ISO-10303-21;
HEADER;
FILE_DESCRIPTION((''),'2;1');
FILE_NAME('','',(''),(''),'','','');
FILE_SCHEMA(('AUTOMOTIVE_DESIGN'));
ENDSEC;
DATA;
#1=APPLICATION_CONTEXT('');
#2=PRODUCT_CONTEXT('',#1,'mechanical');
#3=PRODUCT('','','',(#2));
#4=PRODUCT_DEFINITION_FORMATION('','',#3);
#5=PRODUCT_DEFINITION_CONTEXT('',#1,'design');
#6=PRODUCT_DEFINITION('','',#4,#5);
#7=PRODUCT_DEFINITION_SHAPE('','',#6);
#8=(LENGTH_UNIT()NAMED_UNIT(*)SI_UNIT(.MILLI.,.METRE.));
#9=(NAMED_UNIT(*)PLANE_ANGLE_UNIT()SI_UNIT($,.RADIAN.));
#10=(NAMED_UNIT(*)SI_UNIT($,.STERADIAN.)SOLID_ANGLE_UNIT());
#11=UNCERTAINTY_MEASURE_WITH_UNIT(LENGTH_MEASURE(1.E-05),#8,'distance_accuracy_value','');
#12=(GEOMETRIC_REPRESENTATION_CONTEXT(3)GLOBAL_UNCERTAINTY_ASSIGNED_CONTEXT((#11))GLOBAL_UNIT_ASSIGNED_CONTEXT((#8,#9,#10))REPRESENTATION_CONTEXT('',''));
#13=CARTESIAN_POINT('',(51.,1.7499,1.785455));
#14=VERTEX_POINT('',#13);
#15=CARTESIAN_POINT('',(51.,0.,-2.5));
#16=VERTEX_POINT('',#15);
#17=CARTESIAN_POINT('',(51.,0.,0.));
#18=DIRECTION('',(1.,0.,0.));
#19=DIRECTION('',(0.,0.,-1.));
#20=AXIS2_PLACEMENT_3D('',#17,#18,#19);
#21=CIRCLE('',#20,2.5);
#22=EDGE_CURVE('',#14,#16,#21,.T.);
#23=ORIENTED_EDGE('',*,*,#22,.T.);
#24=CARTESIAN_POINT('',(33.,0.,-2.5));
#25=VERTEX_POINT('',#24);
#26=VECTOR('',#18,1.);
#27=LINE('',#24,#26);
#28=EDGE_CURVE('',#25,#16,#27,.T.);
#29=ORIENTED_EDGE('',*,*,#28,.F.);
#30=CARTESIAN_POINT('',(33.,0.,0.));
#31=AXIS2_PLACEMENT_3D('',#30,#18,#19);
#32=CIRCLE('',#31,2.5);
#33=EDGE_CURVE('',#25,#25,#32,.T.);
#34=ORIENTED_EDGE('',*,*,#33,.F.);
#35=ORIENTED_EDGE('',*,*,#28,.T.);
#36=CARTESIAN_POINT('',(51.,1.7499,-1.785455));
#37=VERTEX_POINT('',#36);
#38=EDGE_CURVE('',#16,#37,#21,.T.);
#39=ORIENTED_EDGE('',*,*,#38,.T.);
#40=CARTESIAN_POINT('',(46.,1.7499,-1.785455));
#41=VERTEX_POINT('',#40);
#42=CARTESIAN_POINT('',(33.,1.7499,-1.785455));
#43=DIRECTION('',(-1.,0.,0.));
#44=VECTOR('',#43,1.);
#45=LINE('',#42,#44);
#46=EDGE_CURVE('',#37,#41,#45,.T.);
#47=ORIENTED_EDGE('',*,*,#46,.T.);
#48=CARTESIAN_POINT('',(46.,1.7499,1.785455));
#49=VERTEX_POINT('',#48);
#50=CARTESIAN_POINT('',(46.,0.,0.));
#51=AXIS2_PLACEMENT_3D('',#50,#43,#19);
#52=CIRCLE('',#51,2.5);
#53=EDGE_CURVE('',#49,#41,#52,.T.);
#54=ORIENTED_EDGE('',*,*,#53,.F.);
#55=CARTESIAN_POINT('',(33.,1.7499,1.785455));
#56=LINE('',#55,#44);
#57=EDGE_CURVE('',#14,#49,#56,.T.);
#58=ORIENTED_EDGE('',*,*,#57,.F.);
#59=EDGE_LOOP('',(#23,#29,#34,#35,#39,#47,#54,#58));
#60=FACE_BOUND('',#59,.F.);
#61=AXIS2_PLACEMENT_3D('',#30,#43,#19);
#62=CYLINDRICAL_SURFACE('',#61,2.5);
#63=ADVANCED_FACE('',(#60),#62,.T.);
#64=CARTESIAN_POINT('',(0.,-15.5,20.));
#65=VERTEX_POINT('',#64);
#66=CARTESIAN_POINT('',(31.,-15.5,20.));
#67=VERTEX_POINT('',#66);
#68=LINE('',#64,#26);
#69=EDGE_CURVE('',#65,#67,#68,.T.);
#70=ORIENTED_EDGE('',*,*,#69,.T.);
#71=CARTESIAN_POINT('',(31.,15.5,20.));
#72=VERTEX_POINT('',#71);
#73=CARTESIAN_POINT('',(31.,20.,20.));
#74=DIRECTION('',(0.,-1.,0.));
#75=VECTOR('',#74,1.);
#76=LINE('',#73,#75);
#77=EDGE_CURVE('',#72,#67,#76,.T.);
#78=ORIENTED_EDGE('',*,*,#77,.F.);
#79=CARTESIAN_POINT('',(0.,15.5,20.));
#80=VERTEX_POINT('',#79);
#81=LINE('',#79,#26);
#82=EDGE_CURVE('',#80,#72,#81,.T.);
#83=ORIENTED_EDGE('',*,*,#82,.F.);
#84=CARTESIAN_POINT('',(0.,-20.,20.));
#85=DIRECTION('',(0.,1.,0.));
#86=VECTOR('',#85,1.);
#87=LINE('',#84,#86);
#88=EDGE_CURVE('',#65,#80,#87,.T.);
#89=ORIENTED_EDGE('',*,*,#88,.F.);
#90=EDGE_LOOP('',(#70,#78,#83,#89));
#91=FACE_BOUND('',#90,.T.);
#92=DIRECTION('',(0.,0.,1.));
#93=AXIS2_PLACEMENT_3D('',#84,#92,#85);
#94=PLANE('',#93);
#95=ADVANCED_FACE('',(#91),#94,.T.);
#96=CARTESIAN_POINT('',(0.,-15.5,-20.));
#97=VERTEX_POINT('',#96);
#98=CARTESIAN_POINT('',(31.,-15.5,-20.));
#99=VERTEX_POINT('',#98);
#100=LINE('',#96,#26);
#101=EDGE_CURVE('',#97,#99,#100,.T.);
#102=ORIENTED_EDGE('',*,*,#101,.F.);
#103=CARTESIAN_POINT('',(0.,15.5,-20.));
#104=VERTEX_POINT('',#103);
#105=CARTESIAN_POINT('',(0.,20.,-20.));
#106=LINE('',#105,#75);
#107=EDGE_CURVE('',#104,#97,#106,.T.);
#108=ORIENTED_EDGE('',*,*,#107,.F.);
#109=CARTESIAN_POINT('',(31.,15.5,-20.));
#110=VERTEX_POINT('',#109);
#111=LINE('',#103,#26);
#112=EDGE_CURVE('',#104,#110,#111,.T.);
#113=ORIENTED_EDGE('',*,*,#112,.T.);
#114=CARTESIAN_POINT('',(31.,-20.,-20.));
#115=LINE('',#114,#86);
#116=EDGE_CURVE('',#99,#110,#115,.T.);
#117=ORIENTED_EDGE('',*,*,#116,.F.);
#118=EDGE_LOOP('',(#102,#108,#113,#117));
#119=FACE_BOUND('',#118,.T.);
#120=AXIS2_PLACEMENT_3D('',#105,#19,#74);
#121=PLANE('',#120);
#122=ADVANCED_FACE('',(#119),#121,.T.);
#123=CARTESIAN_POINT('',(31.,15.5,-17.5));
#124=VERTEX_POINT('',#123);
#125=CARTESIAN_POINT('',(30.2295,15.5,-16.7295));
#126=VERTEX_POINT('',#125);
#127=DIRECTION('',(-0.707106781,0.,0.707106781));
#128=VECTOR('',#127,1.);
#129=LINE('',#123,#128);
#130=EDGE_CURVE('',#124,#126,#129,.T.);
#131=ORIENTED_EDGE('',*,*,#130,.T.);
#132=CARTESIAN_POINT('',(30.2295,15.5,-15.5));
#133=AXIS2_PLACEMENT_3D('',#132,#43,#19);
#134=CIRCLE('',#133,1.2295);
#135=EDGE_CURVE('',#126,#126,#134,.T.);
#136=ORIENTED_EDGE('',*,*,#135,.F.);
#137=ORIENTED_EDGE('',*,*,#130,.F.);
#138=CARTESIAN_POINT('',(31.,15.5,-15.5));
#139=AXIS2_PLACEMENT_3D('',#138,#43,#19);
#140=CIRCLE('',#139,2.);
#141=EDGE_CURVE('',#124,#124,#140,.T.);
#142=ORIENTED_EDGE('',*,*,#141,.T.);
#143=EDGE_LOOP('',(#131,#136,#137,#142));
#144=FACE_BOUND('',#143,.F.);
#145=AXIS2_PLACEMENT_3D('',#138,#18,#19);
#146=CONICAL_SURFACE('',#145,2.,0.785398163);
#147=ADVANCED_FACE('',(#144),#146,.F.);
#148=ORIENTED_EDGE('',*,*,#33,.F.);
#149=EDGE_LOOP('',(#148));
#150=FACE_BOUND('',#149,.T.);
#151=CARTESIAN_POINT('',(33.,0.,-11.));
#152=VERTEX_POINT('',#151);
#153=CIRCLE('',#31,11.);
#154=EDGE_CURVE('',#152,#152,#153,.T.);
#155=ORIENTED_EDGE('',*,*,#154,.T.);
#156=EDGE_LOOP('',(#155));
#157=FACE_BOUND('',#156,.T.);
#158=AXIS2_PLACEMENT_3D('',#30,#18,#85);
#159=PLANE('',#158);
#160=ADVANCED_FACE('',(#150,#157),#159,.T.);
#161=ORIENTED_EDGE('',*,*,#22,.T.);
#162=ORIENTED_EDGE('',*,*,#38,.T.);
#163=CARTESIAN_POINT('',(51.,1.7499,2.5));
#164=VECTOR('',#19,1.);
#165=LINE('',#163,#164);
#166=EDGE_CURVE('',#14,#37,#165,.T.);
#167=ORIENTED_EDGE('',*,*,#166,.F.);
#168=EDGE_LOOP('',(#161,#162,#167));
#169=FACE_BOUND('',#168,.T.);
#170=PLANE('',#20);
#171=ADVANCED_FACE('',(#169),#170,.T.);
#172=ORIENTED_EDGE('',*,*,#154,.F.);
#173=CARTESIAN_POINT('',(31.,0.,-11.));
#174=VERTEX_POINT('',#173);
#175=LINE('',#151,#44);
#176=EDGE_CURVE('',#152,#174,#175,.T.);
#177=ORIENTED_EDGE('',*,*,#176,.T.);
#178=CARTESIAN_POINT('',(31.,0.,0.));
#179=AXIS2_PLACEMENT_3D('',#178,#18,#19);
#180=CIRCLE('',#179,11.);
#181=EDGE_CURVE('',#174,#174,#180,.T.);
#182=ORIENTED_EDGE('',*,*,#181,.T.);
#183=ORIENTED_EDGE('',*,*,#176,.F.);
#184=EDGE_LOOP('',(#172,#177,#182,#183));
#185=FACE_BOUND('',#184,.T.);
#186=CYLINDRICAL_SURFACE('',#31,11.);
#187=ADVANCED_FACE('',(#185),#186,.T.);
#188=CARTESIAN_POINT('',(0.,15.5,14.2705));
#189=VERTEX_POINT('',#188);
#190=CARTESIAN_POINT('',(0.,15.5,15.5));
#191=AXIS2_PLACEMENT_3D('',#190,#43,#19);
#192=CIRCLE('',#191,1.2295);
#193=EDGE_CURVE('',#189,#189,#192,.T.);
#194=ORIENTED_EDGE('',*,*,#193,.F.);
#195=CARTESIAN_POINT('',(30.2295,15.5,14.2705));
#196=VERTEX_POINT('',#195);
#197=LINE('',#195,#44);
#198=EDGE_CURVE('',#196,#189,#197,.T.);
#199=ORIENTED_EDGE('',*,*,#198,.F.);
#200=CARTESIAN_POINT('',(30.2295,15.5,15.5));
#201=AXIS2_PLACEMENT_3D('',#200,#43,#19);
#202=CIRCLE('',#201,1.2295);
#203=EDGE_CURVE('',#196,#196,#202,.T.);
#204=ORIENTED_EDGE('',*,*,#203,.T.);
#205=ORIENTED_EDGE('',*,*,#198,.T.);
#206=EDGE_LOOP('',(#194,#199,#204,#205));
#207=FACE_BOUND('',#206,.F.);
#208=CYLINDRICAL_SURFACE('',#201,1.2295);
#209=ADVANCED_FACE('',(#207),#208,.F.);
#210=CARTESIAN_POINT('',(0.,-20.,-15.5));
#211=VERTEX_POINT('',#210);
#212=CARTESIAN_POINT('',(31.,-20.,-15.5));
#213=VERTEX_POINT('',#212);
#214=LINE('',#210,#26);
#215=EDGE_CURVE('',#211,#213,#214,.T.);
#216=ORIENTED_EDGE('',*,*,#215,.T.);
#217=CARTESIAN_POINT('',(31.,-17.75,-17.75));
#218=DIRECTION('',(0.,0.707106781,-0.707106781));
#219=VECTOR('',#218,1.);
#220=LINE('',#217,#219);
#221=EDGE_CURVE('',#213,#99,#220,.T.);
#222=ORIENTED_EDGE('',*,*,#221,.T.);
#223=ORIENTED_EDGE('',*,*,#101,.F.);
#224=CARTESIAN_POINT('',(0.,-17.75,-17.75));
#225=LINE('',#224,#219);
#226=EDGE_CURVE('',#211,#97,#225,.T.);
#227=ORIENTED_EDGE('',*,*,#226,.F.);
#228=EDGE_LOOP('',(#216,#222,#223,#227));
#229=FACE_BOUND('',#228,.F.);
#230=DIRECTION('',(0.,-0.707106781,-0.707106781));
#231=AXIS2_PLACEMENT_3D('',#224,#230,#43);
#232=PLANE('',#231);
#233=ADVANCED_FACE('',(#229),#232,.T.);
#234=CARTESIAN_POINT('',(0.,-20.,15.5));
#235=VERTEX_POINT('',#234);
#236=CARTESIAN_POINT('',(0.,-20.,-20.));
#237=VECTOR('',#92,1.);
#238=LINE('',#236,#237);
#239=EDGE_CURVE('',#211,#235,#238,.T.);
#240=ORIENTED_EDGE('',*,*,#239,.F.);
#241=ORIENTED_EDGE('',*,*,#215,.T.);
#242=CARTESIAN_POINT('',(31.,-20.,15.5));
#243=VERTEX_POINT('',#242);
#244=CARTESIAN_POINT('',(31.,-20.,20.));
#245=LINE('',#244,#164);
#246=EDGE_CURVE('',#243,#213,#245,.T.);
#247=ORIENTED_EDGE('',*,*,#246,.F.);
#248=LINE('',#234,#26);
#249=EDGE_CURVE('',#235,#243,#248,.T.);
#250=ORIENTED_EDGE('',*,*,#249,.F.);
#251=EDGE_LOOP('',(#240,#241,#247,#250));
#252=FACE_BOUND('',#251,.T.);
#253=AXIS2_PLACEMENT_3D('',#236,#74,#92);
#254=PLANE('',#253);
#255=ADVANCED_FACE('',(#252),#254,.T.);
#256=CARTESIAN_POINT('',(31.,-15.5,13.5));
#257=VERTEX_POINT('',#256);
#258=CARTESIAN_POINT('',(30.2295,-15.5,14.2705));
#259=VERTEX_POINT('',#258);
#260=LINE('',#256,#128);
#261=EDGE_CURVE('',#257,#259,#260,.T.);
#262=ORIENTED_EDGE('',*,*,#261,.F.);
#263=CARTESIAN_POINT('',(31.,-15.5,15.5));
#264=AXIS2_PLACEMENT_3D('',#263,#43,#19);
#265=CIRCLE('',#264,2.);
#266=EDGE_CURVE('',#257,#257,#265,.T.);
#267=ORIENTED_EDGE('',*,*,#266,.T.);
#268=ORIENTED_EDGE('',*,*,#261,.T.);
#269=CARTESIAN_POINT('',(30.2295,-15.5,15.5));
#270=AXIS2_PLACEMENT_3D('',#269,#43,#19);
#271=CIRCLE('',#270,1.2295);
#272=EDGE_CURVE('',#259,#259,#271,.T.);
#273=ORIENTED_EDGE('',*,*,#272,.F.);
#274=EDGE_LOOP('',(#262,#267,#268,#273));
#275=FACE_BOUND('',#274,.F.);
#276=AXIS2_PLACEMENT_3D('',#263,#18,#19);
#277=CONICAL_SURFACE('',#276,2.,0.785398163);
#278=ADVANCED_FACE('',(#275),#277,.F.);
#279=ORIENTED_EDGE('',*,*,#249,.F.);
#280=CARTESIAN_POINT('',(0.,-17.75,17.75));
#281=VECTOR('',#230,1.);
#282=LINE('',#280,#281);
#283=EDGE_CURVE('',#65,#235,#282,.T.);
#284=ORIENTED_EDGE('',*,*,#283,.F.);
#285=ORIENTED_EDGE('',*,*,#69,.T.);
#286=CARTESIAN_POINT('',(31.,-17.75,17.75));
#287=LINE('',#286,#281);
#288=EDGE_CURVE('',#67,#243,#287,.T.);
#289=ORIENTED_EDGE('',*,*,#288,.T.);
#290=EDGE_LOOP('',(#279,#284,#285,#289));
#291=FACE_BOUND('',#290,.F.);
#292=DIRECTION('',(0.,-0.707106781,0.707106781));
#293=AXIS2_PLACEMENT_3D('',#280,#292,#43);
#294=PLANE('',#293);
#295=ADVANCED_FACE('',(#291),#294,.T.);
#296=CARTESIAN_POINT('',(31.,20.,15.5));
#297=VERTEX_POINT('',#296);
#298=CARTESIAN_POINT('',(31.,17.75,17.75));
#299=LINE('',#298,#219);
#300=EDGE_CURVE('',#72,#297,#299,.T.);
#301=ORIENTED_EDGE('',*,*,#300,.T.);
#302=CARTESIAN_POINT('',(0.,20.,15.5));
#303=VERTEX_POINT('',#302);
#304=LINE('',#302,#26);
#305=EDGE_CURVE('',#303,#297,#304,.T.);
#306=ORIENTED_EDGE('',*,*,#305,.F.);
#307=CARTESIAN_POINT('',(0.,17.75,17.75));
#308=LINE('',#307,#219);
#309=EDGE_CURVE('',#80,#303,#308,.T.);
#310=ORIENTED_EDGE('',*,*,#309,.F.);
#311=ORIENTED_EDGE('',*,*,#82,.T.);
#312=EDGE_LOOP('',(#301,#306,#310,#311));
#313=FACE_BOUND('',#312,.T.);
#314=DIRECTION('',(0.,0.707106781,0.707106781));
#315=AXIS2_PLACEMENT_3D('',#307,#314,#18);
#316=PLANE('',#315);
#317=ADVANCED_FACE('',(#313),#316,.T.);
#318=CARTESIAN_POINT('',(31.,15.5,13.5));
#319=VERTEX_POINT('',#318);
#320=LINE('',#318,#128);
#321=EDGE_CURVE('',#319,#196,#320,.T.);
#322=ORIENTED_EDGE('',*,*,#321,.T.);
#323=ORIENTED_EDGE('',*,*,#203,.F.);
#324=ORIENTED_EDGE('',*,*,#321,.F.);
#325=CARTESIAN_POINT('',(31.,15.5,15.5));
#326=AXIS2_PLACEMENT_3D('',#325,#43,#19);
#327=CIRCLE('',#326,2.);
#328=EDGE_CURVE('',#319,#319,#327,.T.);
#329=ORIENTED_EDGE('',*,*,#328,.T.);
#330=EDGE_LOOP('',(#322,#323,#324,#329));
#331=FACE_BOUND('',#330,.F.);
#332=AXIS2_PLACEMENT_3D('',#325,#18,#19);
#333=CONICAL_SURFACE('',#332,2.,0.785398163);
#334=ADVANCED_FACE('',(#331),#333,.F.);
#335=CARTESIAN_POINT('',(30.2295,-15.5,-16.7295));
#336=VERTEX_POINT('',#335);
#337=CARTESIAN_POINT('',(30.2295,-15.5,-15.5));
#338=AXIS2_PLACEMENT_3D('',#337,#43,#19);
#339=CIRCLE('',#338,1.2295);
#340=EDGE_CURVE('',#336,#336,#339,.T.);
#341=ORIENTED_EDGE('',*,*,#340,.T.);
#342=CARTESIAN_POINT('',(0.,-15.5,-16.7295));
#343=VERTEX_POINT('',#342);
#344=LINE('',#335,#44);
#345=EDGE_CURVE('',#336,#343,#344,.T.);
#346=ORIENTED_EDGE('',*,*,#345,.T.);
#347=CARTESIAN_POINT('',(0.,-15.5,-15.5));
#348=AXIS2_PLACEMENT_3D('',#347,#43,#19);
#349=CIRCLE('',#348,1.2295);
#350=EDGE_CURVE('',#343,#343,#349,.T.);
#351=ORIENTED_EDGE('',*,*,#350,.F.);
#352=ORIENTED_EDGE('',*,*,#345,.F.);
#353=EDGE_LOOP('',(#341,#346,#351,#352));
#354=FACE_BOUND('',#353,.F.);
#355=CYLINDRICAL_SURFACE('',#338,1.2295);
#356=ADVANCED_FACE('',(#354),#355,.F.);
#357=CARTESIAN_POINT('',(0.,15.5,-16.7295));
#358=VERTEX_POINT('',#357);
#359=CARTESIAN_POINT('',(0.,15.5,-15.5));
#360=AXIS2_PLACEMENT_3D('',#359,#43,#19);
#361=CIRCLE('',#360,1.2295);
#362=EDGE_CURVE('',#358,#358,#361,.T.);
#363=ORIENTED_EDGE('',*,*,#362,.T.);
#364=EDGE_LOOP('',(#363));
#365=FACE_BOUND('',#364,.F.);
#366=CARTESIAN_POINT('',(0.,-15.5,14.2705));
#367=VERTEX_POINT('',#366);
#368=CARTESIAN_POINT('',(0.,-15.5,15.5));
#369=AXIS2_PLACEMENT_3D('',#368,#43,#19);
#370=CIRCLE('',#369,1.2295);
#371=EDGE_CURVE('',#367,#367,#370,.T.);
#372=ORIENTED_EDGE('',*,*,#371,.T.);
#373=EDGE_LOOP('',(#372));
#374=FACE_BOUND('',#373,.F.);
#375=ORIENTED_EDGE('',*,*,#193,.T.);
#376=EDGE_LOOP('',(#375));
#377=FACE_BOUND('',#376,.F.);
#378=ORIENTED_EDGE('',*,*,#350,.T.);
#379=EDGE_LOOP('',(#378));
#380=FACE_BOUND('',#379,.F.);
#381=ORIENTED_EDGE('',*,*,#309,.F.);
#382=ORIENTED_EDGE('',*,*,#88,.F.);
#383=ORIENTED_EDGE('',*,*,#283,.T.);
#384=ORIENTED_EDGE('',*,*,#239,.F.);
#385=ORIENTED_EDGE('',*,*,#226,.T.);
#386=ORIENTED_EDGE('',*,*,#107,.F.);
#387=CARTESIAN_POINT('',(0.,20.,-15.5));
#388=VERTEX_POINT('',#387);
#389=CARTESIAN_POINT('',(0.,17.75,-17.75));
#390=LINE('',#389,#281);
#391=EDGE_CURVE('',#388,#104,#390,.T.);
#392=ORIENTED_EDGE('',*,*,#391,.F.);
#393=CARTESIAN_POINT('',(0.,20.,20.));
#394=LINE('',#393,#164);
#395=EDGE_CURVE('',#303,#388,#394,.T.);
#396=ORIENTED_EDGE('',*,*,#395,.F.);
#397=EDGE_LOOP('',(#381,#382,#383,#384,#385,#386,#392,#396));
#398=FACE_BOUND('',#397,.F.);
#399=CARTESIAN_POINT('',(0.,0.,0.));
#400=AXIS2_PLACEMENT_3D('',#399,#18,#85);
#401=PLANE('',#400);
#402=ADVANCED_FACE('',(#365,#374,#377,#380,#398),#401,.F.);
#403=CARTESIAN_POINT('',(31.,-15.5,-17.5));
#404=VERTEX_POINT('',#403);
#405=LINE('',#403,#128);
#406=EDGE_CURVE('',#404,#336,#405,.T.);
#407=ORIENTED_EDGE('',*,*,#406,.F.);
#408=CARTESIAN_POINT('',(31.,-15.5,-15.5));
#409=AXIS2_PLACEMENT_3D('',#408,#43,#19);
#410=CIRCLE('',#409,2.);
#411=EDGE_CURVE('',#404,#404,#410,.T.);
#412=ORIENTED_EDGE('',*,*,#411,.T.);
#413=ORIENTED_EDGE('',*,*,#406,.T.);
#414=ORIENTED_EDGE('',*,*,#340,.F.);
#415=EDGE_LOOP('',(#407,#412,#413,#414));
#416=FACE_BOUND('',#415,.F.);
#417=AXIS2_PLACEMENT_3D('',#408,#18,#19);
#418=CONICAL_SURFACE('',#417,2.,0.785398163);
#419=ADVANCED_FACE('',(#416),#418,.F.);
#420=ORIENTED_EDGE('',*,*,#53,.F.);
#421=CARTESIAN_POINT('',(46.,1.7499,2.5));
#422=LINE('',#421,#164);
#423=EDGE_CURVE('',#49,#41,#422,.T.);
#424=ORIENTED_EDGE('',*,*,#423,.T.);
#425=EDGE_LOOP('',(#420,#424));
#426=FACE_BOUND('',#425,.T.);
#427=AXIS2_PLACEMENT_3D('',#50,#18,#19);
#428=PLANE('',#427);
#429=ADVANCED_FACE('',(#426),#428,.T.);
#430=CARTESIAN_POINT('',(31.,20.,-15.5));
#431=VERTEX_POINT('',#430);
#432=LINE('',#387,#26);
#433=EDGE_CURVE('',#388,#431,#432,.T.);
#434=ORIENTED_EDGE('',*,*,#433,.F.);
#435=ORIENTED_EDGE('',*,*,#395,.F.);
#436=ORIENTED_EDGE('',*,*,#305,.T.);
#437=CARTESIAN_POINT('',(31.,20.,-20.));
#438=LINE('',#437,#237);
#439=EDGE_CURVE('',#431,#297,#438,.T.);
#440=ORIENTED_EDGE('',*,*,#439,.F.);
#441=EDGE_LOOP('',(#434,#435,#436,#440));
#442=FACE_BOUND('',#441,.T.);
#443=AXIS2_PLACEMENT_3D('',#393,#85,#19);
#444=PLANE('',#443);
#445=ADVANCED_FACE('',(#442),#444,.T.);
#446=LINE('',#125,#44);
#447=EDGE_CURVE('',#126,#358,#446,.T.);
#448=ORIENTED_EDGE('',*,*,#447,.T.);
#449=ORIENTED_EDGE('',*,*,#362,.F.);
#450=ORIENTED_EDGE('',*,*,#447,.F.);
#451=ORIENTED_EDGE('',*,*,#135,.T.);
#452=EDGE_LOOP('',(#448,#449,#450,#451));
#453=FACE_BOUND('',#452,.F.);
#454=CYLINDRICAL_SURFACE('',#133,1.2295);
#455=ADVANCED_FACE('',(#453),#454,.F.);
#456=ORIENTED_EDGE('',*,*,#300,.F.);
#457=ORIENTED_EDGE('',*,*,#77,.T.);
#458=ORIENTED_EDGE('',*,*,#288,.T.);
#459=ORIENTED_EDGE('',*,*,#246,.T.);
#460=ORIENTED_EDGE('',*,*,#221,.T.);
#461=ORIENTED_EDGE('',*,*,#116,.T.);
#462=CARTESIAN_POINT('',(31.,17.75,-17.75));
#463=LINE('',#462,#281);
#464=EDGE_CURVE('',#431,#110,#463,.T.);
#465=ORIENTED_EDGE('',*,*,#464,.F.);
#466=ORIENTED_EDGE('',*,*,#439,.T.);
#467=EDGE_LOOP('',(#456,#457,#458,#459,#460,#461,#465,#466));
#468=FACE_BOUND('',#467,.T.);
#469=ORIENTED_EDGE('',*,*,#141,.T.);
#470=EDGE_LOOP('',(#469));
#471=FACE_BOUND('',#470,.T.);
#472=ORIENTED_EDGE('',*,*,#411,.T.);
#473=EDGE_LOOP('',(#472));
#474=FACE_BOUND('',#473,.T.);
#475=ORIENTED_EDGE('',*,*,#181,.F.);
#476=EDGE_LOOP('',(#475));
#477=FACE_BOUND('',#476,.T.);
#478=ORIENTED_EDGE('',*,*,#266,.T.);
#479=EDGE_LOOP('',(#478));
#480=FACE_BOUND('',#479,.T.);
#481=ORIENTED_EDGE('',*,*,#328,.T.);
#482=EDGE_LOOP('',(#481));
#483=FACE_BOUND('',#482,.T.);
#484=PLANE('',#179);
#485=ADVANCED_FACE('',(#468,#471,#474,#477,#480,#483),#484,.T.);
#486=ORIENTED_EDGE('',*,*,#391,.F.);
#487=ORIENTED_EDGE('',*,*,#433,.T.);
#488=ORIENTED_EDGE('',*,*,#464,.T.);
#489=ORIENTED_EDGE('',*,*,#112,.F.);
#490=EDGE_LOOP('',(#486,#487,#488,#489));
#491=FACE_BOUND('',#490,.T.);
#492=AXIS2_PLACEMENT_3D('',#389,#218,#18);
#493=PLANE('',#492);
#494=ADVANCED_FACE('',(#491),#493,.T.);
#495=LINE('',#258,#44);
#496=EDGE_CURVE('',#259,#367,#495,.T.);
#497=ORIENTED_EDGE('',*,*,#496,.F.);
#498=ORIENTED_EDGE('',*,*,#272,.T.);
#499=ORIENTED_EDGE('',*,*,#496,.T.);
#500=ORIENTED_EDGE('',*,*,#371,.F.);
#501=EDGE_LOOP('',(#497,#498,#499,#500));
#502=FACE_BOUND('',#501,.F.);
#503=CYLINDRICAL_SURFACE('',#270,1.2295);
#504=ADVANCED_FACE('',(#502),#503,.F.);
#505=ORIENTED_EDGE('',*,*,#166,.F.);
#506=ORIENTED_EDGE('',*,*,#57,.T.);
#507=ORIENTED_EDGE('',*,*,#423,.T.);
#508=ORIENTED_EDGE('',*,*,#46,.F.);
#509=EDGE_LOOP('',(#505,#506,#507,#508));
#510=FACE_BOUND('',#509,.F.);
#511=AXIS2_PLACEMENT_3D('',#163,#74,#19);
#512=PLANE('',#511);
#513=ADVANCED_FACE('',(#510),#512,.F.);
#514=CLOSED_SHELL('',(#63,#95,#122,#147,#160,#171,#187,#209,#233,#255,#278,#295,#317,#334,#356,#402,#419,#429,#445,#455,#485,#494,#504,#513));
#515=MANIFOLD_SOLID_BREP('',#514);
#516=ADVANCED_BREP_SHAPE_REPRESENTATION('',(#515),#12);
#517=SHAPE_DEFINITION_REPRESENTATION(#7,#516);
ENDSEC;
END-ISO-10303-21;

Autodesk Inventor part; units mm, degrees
ref_plane "YZ Plane" through (0, 0, 0) normal (1, 0, 0) x (0, 1, 0)
ref_plane "XZ Plane" through (0, 0, 0) normal (0, 1, 0) x (-1, 0, 0)
ref_plane "XY Plane" through (0, 0, 0) normal (0, 0, 1) x (1, 0, 0)
sketch "Sketch1" plane through (0, 0, 0) normal (1, 0, 0) x (0, 1, 0)
  line L0 (-20, 20) -> (20, 20)
  line L1 (20, 20) -> (20, -20)
  line L2 (20, -20) -> (-20, -20)
  line L3 (-20, -20) -> (-20, 20)
  line L4 (-20, 20) -> (20, -20) construction
  line L5 (20, 20) -> (-20, -20) construction
  point P0 (0, 0)
  point P1 (0, 0)
  dimension "d0" = 40
  dimension "d1" = 40
extrude "Extrusion1" add sketch "Sketch1" along normal blind 33
sketch "Sketch2" plane through (33, 0, 0) normal (1, 0, 0) x (0, 0, -1)
  line L0 (-20, 20) -> (-20, -20) projected
  line L1 (-20, -20) -> (20, -20) projected
  line L2 (20, -20) -> (20, 20) projected
  line L3 (20, 20) -> (-20, 20) projected
  circle A0 centre (0, 0) radius 11
  dimension "d4" = 22
extrude "Extrusion2" cut sketch "Sketch2" against normal blind 2
sketch "Sketch3" plane through (33, 0, 0) normal (1, 0, 0) x (0, 0, -1)
  circle A0 centre (0, 0) radius 2.5
  dimension "d7" = 5
extrude "Extrusion3" add sketch "Sketch3" along normal blind 18
sketch "Sketch4" plane through (31, 0, 0) normal (1, 0, 0) x (0, 0, -1)
  line L0 (20, 20) -> (20, -20) projected
  line L1 (-20, 20) -> (20, 20) projected
  point P0 (15.5, 15.5)
  point P1 (-15.5, 15.5)
  point P2 (15.5, -15.5)
  point P3 (-15.5, -15.5)
  dimension "d12" = 31
  dimension "d15" = 31
hole "Hole1" at (31, 15.5, -15.5) at (31, 15.5, 15.5) at (31, -15.5, -15.5) at (31, -15.5, 15.5) direction (-1, 0, 0) diameter 2.459 end through all countersink diameter 4 countersink angle 90 thread size "M3x0.5" class "6H" standard "ANSI Metric M Profile"
chamfer "Chamfer1" distance 4.5 angle 45 4 edges at (15.5, 20, -20) (15.5, -20, -20) (15.5, 20, 20) (15.5, -20, 20)
sketch "Sketch7" plane through (51, 0, 0) normal (1, 0, 0) x (0, 0, -1)
  line L0 (-2.5, 1.7499) -> (2.5, 1.7499)
  line L1 (2.5, 1.7499) -> (2.5, 3.2499)
  line L2 (2.5, 3.2499) -> (-2.5, 3.2499)
  line L3 (-2.5, 3.2499) -> (-2.5, 1.7499)
  line L4 (-2.5, 1.7499) -> (2.5, 3.2499) construction
  line L5 (2.5, 1.7499) -> (-2.5, 3.2499) construction
  point P0 (0, 2.4999)
  dimension "d29" = 5
  dimension "d30" = 1.5
extrude "Extrusion4" cut sketch "Sketch7" against normal blind 5
properties part number "Stepper_Motor"
